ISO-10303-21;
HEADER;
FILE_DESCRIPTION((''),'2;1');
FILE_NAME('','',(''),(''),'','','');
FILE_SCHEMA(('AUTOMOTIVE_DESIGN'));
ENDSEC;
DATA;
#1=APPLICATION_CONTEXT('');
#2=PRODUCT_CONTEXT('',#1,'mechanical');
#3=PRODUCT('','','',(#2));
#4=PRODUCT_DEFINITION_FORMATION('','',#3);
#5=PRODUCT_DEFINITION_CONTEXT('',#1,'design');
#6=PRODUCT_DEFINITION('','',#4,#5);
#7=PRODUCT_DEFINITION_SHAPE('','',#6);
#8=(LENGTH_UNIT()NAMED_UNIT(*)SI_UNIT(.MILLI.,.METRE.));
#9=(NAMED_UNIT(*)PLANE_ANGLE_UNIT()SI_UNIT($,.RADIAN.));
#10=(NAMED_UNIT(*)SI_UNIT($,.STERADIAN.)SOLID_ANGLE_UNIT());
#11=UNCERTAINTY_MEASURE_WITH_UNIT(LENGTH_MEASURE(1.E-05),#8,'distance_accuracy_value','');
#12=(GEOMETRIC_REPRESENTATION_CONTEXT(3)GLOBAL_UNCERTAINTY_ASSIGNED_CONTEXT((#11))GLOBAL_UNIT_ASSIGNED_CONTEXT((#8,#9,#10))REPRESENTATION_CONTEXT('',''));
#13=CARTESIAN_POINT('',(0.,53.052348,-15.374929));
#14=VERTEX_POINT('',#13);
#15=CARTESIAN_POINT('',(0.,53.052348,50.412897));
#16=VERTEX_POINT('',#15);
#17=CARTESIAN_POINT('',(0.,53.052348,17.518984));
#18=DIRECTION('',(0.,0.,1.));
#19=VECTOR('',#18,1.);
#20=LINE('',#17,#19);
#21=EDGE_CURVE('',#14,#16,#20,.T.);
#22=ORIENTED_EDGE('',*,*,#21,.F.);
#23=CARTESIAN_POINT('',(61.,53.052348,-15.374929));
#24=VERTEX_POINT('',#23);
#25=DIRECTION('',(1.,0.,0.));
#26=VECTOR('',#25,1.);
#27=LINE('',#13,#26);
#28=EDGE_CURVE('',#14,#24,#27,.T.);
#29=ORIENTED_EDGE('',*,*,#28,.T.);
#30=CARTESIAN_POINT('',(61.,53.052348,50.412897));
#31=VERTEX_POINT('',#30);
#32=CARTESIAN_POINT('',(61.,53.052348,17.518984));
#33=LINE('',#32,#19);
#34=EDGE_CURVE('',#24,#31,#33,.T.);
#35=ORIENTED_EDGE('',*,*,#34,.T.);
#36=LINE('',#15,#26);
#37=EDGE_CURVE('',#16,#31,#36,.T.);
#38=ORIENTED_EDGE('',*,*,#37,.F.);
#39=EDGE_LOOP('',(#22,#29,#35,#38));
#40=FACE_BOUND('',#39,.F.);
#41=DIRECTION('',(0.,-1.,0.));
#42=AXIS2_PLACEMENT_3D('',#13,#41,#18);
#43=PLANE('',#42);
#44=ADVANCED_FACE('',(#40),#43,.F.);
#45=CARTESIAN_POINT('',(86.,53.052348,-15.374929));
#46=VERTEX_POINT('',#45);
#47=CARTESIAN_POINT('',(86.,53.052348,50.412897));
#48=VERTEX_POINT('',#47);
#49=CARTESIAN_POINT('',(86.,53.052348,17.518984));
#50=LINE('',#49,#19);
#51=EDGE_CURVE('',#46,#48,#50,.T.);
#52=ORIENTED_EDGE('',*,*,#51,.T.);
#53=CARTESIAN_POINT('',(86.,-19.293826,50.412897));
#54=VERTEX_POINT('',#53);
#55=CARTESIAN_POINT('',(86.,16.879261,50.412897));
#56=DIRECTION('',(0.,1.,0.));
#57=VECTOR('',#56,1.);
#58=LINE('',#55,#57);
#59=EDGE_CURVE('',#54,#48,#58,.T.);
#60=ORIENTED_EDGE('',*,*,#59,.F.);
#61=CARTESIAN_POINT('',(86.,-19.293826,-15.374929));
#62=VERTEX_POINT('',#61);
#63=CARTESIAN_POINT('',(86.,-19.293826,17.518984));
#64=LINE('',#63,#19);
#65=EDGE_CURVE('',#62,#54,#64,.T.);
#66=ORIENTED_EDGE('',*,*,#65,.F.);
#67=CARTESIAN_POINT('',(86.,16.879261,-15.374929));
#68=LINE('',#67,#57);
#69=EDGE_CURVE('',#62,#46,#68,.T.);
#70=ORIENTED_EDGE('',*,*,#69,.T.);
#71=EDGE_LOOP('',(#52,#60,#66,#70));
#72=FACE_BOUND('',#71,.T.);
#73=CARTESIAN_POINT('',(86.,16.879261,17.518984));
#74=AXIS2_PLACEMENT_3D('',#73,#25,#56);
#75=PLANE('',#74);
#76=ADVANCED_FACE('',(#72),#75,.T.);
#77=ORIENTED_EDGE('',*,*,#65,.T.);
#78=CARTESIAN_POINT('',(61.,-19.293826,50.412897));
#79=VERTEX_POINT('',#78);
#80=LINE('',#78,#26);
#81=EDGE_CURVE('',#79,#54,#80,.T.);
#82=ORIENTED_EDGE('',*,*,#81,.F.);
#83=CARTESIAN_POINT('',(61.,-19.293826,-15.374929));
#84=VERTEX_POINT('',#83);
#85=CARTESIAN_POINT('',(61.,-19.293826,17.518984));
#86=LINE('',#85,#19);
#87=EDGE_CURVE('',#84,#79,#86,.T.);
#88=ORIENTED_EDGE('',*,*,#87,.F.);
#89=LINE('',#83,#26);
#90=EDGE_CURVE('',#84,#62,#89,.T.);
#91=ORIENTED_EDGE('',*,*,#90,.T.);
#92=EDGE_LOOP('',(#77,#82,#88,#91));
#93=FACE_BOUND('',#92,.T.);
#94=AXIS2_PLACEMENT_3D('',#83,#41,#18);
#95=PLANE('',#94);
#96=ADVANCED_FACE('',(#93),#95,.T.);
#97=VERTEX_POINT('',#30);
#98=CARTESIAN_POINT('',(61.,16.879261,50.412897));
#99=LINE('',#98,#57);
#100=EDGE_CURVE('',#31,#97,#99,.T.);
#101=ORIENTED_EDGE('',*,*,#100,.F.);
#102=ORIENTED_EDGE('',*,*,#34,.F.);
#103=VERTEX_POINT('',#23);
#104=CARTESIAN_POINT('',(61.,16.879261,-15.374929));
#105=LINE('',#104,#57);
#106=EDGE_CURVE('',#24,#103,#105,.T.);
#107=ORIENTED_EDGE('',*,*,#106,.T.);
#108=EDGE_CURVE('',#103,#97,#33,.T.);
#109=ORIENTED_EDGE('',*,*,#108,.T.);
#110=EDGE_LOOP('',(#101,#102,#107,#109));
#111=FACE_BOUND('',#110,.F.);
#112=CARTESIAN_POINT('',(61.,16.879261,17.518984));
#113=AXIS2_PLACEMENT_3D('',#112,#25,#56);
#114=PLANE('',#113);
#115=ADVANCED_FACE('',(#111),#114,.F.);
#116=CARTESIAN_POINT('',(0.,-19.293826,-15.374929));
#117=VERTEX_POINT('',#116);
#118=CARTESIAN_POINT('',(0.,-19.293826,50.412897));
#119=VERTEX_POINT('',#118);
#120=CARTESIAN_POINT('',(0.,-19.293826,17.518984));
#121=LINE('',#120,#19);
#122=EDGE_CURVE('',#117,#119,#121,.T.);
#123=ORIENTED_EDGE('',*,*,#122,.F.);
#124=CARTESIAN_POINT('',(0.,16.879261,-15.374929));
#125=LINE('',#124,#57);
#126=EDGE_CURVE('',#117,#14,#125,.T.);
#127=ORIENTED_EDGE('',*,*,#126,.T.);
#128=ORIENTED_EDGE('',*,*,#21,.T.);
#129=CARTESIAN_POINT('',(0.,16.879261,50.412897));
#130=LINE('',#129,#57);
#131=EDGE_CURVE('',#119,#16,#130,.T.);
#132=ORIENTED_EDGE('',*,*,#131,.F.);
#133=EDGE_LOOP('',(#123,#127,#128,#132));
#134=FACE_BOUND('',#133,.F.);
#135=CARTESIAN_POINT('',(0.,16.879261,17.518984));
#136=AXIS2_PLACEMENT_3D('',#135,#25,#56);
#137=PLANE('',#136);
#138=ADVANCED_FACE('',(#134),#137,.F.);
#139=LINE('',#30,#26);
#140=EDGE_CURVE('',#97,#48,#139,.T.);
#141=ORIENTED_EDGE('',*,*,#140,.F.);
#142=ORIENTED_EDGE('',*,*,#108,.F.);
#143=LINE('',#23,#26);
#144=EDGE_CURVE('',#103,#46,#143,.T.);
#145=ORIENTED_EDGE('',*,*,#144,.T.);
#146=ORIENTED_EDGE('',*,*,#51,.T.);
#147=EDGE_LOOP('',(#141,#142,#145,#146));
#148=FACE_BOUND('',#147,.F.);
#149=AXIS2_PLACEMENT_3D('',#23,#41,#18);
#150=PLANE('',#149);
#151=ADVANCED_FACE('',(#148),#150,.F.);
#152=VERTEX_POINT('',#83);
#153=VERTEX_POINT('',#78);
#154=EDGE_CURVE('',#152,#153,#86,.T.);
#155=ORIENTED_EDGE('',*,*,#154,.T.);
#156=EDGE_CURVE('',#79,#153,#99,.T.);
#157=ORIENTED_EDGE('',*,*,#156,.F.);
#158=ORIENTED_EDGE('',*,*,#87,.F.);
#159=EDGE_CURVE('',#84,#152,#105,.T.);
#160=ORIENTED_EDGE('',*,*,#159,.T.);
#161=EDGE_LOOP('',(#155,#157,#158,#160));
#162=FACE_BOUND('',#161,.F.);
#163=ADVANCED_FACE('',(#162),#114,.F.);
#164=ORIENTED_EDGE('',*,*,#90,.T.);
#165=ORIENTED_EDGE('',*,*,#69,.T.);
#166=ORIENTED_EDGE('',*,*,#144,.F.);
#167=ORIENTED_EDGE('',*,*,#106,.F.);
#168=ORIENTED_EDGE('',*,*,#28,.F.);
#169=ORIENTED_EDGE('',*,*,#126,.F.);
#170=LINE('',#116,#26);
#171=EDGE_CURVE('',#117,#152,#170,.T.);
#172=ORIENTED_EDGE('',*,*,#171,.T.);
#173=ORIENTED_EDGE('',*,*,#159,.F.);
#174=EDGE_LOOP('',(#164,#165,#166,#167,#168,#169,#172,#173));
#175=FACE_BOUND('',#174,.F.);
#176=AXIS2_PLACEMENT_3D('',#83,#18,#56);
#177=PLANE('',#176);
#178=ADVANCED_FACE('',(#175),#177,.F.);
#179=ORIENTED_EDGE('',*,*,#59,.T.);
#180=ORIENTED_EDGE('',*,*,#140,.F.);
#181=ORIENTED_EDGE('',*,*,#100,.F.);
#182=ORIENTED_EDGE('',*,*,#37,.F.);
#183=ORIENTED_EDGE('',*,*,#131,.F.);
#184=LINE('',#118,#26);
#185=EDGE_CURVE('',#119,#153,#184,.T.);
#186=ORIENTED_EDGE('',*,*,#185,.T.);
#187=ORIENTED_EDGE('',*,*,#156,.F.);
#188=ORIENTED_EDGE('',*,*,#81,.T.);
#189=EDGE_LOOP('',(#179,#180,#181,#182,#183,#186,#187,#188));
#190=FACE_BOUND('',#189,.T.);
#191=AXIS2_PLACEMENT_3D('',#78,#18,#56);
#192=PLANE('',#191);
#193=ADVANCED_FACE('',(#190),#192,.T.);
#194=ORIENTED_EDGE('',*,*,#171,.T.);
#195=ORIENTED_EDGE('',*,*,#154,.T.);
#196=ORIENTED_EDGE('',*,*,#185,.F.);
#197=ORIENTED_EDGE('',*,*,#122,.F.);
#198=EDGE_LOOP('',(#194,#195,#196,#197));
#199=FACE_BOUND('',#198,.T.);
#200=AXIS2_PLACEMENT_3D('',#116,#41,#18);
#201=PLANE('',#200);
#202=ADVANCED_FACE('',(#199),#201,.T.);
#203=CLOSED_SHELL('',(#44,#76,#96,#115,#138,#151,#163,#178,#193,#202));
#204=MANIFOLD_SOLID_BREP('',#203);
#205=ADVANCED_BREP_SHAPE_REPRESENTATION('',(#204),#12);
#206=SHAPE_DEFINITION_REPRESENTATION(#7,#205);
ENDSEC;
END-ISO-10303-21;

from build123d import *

# Parameters (mm, degrees)
F0_W      = 72.346173
F0_H      = 65.787826
F1_DEPTH  = 61
F1_FACE_W = 72.346174
F1_FACE_H = 65.787826
F2_DEPTH  = 25


with BuildPart() as f1:
    # F0 (on Right) → F1 (new body)
    with BuildSketch(Plane.YZ):
        with Locations((16.879261, 17.518984)):
            Rectangle(F0_W, F0_H)
    extrude(amount=F1_DEPTH)

    # F1_face (on face) → F2 (join)
    with BuildSketch(Plane(origin=(61, 16.879261, 17.518984), x_dir=(0, 1, 0), z_dir=(1, 0, 0))):
        Rectangle(F1_FACE_W, F1_FACE_H)
    extrude(amount=F2_DEPTH)


solid = f1.part
